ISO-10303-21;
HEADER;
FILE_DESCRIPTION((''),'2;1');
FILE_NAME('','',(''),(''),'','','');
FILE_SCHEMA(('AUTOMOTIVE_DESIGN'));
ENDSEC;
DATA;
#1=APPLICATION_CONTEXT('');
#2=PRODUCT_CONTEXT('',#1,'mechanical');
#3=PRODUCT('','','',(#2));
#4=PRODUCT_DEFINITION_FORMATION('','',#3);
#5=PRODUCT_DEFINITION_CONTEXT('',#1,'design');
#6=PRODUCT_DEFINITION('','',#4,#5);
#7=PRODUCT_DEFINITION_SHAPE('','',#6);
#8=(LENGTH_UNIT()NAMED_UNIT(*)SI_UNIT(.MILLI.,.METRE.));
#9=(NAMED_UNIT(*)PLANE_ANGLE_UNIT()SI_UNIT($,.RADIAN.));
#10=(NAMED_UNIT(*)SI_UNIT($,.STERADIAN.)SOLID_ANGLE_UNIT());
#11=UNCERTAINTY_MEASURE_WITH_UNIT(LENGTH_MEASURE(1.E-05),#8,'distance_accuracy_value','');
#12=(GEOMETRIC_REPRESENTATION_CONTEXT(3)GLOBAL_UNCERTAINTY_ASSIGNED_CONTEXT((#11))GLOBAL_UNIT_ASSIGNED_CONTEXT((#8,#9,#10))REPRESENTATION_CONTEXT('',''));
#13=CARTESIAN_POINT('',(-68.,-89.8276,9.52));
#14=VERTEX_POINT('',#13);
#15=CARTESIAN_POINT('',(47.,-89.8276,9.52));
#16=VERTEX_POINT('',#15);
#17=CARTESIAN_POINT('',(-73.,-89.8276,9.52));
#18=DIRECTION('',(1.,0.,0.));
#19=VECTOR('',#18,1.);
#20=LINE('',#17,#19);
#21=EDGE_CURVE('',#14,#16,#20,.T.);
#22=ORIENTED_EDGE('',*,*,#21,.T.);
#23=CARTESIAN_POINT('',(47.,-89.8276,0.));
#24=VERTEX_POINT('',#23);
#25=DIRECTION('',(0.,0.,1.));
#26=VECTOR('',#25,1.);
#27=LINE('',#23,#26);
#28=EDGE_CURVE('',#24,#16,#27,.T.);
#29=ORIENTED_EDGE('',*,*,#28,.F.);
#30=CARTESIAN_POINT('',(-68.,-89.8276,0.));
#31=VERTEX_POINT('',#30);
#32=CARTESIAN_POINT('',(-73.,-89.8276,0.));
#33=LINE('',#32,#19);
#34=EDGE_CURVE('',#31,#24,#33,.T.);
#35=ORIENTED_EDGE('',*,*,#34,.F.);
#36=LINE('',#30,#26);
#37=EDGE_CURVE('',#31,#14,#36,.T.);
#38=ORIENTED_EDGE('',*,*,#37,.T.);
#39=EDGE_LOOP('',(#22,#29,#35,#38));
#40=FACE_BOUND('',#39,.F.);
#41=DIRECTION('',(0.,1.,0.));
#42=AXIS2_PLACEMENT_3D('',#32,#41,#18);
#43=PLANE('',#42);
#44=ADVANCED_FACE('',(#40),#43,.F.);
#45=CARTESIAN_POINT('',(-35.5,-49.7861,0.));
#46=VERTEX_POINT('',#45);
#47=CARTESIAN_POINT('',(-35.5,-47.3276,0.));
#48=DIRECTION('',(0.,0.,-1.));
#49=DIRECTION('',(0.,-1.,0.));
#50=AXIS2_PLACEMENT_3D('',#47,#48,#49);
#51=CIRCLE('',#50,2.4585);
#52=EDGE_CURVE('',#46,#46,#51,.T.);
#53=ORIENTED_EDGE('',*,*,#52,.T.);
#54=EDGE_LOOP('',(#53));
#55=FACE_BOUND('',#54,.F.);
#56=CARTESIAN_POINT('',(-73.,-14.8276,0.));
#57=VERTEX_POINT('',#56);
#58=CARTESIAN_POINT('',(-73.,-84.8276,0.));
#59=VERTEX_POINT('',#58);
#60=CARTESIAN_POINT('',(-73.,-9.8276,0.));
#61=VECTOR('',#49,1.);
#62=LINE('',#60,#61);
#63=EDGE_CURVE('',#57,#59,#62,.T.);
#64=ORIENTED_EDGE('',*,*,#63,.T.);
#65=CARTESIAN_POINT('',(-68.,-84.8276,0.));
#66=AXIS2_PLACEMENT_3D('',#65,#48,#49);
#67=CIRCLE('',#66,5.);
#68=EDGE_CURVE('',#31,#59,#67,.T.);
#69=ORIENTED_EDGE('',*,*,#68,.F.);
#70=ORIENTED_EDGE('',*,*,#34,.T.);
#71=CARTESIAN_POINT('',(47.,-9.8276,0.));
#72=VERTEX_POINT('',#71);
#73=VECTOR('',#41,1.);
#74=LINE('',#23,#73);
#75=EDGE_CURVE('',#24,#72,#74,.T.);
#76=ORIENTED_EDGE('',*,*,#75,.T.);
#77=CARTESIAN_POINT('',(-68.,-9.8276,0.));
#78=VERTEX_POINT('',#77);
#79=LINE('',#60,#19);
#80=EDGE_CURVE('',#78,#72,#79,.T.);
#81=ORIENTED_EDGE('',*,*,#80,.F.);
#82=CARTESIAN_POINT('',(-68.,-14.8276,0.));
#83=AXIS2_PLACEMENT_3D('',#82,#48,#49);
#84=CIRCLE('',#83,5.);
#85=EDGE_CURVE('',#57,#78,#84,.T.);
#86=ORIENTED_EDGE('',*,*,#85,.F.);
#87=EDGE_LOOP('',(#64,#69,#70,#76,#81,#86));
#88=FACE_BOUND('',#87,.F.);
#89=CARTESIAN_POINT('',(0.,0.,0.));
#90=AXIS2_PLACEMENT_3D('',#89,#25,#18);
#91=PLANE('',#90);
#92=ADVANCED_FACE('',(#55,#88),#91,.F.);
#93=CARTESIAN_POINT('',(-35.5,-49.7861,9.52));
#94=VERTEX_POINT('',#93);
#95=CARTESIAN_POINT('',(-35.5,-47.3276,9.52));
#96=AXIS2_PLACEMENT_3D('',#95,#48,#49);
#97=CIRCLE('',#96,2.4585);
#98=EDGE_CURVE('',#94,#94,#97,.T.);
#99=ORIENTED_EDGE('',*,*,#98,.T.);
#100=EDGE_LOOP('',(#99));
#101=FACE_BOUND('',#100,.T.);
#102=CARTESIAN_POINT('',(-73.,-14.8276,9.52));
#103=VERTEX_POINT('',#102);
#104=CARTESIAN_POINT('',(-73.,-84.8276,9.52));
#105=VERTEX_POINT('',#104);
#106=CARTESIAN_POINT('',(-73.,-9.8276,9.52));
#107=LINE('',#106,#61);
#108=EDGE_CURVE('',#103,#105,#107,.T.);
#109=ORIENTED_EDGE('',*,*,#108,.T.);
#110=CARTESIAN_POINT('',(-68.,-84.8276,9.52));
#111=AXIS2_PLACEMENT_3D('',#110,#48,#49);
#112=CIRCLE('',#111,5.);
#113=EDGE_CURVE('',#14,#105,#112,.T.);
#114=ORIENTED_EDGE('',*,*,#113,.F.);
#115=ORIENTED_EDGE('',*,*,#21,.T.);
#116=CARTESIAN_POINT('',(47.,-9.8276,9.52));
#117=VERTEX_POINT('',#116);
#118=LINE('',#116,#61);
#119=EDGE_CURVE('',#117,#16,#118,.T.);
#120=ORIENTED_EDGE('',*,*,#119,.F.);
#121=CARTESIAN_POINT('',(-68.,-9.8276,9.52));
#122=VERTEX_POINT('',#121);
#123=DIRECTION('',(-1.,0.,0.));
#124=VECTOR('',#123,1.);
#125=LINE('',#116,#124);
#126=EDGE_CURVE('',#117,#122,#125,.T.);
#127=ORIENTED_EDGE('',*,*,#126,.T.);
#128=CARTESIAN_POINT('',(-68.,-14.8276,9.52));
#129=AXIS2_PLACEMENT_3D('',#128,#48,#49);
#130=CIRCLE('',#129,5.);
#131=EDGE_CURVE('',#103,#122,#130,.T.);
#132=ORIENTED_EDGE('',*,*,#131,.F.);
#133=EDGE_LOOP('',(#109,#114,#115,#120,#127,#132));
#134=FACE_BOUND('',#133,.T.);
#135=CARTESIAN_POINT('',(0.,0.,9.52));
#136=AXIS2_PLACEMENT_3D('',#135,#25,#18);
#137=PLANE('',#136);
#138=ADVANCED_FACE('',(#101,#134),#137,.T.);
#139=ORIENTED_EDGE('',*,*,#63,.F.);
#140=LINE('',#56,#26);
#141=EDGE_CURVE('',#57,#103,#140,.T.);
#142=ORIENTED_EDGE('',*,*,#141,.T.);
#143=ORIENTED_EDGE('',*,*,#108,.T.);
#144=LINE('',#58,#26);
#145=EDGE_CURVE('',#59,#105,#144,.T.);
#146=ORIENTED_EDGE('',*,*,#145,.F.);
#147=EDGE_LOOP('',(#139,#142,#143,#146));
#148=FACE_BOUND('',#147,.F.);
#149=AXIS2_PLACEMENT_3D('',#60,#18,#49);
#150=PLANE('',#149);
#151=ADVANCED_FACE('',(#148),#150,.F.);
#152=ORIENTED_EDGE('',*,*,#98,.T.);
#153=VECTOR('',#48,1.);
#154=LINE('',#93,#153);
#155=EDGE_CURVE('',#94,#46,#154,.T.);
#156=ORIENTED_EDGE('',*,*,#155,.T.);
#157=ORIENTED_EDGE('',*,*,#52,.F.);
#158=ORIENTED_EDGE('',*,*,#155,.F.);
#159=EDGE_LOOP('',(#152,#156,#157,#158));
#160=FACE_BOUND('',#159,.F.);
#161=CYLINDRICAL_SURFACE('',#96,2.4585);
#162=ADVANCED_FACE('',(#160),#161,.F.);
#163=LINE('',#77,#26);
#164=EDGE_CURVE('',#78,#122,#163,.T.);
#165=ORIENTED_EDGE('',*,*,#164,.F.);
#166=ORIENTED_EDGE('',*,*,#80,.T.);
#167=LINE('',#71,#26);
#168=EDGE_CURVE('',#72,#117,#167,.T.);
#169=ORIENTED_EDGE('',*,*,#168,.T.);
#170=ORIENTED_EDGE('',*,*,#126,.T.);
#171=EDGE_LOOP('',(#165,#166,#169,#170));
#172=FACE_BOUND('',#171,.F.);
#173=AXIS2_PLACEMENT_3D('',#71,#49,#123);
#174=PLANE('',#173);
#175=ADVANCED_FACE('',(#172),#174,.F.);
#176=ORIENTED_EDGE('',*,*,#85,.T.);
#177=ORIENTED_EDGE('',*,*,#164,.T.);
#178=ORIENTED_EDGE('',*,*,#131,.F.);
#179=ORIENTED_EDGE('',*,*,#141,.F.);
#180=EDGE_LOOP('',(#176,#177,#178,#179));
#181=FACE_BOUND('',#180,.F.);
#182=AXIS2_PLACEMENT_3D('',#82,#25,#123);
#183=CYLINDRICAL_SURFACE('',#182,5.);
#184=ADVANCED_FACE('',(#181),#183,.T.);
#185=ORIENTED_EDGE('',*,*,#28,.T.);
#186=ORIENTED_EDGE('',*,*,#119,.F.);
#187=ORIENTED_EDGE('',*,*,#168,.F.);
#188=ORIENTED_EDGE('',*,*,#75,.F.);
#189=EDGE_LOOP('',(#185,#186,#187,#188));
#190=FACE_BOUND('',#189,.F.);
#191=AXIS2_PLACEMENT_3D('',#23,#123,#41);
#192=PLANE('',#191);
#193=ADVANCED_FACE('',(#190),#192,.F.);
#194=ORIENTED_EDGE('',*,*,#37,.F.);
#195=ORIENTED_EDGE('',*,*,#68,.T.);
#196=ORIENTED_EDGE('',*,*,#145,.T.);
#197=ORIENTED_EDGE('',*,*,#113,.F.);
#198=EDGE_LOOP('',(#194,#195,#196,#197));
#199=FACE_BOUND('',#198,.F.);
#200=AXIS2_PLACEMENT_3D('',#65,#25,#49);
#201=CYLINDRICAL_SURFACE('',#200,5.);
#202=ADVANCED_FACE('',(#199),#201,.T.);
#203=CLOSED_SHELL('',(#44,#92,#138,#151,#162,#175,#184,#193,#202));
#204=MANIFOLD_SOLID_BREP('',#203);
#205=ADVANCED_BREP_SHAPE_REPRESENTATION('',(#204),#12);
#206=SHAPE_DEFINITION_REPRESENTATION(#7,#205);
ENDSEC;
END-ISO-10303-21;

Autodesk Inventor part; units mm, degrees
ref_plane "YZ Plane" through (0, 0, 0) normal (1, 0, 0) x (0, 1, 0)
ref_plane "XZ Plane" through (0, 0, 0) normal (0, 1, 0) x (-1, 0, 0)
ref_plane "XY Plane" through (0, 0, 0) normal (0, 0, 1) x (1, 0, 0)
sketch "Esboço1" plane through (0, 0, 0) normal (0, 0, 1) x (1, 0, 0)
  line L0 (-33, -50) -> (-33, 950) projected
  line L1 (47, -50) -> (47, 950) projected
  line L2 (-73, -89.8276) -> (47, -89.8276)
  line L3 (47, -9.8276) -> (-73, -9.8276)
  line L4 (-73, -9.8276) -> (-73, -89.8276)
  line L5 (47, -89.8276) -> (47, -9.8276)
  point P0 (0, 0)
  dimension "d0" = 120
  dimension "d1" = 120
  dimension "d2" = 80
extrude "Extrusão1" add sketch "Esboço1" along normal blind 9.52
sketch "Esboço11" plane through (0, 0, 9.52) normal (0, 0, 1) x (1, 0, 0)
  circle A0 centre (-35.5, -47.3276) radius 3
  line L0 (-73, -9.8276) -> (-73, -89.8276) projected
  point P0 (0, 0)
  dimension "d95" = 6
  dimension "d104" = 37.5
hole "Furo2" at (-35.5, -47.3276, 9.52) direction (0, 0, -1) diameter 4.917 end through all thread size "M6x1" class "6H" standard "ANSI Metric M Profile"
fillet "Arredondamento3" radius 5 2 edges at (-73, -89.8276, 4.76) (-73, -9.8276, 4.76)
equation "\"d0\" = d1"
properties part number "SUPORTE_GUIA_CORREIA_EIXO_Y"
